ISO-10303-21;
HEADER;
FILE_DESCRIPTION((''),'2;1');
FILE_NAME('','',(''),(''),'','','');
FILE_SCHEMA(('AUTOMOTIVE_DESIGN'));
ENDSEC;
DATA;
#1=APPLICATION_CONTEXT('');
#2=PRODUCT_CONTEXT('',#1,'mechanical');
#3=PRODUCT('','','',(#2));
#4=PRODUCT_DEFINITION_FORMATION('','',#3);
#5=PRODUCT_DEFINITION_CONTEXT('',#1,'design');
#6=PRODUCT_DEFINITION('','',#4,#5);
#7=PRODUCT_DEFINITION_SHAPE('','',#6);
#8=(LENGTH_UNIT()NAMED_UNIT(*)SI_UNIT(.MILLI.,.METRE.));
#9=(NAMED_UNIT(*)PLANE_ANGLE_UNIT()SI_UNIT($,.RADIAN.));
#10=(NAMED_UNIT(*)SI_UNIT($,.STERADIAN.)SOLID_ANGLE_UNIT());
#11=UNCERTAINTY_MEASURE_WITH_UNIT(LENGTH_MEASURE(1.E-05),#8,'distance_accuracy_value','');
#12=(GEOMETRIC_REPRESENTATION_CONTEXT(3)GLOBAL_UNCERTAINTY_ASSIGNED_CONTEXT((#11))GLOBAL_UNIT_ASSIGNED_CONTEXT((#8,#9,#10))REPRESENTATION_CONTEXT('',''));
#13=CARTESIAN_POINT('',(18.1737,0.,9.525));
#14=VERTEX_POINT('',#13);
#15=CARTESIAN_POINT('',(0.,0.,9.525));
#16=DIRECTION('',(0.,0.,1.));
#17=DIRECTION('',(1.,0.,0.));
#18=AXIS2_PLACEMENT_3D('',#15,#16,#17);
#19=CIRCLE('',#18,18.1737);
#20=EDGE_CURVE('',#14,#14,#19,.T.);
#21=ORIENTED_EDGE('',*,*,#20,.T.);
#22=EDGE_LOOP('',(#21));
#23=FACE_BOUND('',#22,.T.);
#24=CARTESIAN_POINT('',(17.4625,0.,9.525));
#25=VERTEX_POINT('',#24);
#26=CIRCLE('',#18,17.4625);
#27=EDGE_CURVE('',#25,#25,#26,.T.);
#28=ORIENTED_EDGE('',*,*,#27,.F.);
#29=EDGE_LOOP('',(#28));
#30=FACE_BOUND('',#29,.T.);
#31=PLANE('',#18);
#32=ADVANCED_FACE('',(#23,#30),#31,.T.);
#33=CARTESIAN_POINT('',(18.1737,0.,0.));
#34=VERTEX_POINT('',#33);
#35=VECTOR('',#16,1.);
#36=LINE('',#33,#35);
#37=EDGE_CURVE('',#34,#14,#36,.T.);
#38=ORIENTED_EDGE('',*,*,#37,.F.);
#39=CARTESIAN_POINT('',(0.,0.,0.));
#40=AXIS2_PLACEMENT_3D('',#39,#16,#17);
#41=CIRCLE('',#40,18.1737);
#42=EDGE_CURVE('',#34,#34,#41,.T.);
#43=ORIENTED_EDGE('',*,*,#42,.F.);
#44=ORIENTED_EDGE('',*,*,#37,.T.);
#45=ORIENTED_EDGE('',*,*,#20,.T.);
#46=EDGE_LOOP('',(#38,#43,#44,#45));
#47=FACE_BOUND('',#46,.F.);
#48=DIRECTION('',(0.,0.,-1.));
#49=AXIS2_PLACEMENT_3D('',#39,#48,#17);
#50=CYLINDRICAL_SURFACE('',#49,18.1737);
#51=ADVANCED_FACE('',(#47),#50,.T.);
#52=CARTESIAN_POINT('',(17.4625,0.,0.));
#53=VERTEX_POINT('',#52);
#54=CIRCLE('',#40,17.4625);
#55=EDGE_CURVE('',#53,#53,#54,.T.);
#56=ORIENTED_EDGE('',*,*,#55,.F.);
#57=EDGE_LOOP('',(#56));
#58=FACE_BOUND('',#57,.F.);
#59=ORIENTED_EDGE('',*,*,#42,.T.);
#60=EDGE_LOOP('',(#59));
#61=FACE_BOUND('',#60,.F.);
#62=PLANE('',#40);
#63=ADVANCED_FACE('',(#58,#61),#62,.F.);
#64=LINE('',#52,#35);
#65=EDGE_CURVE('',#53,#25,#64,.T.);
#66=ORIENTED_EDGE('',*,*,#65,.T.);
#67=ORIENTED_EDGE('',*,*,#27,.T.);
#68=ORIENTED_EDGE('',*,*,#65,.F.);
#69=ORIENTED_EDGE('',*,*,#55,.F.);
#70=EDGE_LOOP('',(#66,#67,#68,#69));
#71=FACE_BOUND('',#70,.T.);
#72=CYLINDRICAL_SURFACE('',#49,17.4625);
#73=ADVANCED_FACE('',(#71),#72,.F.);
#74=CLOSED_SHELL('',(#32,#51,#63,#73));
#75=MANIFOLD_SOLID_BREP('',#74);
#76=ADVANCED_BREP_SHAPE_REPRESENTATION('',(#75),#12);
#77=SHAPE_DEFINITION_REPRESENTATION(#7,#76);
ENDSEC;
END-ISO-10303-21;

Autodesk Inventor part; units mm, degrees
ref_plane "YZ Plane" through (0, 0, 0) normal (1, 0, 0) x (0, 1, 0)
ref_plane "XZ Plane" through (0, 0, 0) normal (0, 1, 0) x (-1, 0, 0)
ref_plane "XY Plane" through (0, 0, 0) normal (0, 0, 1) x (1, 0, 0)
sketch "Sketch1" plane through (0, 0, 0) normal (0, 0, 1) x (1, 0, 0)
  circle A0 centre (0, 0) radius 17.4625
  circle A1 centre (0, 0) radius 18.1737
  dimension "d0" = 36.3474
  dimension "d1" = 34.925
extrude "Extrusion1" add sketch "Sketch1" along normal blind 9.525
properties part number "ABS spacer"
